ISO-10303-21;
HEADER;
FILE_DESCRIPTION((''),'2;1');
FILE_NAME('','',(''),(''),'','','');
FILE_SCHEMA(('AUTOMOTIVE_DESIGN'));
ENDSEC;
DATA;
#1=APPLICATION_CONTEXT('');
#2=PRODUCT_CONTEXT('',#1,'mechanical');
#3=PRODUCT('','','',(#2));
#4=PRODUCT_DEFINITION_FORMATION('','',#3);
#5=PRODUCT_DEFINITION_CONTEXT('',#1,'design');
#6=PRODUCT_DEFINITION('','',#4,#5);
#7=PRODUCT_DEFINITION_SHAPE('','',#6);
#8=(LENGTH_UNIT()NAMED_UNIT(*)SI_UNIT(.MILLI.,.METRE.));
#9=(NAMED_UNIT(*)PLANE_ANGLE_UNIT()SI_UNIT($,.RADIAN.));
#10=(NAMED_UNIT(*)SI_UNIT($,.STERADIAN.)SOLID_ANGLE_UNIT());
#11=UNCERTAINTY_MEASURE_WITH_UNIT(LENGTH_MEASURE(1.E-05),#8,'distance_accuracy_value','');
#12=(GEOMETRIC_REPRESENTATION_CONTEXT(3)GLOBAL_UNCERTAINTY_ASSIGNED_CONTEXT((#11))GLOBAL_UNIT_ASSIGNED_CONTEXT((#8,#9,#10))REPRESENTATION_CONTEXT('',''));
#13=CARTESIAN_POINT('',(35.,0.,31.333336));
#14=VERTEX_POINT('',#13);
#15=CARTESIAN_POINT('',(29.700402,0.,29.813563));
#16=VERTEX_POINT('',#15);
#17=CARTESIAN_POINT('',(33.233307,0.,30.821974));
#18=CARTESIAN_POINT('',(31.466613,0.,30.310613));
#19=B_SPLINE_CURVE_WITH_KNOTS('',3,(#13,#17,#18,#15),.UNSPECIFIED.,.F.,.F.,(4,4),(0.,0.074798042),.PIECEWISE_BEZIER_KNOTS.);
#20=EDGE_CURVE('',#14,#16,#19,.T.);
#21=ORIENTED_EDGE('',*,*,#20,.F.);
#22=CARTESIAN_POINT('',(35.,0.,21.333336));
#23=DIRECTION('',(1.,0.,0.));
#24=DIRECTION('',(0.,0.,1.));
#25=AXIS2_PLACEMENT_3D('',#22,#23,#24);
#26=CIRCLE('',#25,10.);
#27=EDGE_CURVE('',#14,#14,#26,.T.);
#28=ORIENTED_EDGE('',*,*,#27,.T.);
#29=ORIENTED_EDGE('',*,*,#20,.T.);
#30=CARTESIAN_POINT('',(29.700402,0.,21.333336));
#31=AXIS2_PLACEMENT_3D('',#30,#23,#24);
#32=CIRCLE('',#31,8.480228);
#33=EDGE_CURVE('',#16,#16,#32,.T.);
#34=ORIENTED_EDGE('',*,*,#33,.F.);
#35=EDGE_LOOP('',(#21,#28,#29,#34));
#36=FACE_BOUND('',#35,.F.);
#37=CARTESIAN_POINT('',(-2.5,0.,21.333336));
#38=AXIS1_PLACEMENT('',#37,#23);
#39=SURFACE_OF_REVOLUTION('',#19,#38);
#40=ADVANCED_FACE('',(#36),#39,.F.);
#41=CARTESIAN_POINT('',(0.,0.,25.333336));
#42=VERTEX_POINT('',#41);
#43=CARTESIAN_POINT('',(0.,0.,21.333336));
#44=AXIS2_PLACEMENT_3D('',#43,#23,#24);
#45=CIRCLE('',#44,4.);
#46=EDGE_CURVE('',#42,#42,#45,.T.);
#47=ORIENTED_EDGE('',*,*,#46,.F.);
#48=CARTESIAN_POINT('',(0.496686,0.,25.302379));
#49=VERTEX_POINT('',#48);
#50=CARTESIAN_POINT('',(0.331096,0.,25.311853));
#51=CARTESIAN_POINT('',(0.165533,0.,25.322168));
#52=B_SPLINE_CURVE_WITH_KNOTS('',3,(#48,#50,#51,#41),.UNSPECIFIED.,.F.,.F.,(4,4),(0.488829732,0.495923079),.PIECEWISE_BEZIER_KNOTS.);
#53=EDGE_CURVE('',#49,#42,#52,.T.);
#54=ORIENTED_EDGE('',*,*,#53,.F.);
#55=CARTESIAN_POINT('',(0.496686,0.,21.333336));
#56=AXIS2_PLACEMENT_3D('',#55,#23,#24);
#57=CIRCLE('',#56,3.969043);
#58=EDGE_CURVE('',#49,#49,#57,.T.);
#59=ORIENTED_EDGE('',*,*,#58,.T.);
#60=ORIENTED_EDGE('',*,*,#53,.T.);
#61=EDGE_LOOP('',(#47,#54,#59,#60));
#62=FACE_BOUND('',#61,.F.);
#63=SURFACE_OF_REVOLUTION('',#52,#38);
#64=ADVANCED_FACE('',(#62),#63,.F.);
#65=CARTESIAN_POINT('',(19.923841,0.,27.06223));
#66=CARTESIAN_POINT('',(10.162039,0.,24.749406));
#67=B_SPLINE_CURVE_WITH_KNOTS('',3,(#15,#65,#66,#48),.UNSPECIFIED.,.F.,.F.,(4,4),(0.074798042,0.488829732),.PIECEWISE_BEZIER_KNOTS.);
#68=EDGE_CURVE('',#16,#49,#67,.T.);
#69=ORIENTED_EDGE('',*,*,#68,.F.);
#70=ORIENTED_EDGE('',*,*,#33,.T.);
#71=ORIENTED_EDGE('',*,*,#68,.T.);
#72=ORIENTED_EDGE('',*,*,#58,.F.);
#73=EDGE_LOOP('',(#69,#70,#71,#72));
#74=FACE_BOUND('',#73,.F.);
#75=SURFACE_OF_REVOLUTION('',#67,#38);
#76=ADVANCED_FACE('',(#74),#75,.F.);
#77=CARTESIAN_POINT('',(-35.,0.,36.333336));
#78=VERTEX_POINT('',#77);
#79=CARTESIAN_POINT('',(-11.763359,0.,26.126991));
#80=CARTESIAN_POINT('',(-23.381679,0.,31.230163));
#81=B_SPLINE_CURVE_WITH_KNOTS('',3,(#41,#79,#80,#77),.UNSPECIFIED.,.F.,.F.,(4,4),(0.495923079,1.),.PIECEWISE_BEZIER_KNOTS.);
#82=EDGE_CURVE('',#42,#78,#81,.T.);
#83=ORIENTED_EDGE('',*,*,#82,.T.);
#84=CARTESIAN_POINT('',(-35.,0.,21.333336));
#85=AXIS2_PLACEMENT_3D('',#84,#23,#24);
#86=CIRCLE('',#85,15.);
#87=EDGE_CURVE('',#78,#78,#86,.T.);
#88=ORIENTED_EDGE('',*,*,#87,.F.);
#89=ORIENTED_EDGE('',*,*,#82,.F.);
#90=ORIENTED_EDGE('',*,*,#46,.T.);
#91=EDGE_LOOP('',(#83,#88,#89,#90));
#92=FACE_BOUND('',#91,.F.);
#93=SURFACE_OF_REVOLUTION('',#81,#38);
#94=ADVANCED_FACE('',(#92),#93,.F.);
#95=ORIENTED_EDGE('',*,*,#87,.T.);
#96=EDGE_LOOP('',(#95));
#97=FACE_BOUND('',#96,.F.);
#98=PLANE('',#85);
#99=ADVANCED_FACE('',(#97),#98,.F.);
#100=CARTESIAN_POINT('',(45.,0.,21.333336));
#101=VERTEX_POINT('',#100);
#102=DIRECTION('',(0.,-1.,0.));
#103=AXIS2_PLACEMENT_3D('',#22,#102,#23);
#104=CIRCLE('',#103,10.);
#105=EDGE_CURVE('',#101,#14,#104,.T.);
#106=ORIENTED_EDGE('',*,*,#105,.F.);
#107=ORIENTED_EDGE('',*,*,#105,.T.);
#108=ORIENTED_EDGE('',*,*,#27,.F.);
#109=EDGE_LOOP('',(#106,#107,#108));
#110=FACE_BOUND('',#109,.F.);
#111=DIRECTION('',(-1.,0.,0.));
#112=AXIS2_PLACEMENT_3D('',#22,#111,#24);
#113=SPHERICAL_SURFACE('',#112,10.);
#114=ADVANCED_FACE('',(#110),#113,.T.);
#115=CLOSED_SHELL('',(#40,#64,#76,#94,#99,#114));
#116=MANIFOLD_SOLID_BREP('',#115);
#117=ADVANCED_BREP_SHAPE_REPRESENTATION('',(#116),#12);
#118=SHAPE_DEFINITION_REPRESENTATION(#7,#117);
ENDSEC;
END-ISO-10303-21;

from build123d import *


with BuildPart() as f4:
    # F3 (on line) → F4 (revolve)
    with BuildSketch(Plane.XZ):
        with BuildLine():
            Line((-35, 21.3333358431), (-20, 21.3333358431))
            ThreePointArc((-20, 21.3333358431), (-21.0796887475, 26.9212634227), (-24.163324618, 31.7047613317))
            add(Edge.make_bspline(
                [(-24.163324618, 31.7047613317), (-27.7784521793, 33.1613796077), (-31.3892260896, 34.7473577254), (-35, 36.3333358431)],
                knots=[0.8433415755, 0.8433415755, 0.8433415755, 0.8433415755, 1, 1, 1, 1], degree=3))
            Line((-35, 36.3333358431), (-35, 21.3333358431))
        make_face()
        with BuildLine():
            Line((-20, 21.3333358431), (-4, 21.3333358431))
            ThreePointArc((-4, 21.3333358431), (-2.8284271247, 24.1617629679), (0, 25.3333358431))
            add(Edge.make_bspline(
                [(0, 25.3333358431), (-8.1075095608, 25.880336522), (-16.1461229596, 28.4744458698), (-24.163324618, 31.7047613317)],
                knots=[0.4959230795, 0.4959230795, 0.4959230795, 0.4959230795, 0.8433415755, 0.8433415755, 0.8433415755, 0.8433415755], degree=3))
            ThreePointArc((-24.163324618, 31.7047613317), (-21.0796887475, 26.9212634227), (-20, 21.3333358431))
        make_face()
        with BuildLine():
            Line((-4, 21.3333358431), (4, 21.3333358431))
            ThreePointArc((4, 21.3333358431), (2.9988951559, 23.9803394026), (0.496686078, 25.3023789192))
            add(Edge.make_bspline(
                [(0.496686078, 25.3023789192), (0.3310956054, 25.311852661), (0.1655334425, 25.322167567), (0, 25.3333358431)],
                knots=[0.4888297323, 0.4888297323, 0.4888297323, 0.4888297323, 0.4959230795, 0.4959230795, 0.4959230795, 0.4959230795], degree=3))
            ThreePointArc((0, 25.3333358431), (-2.8284271247, 24.1617629679), (-4, 21.3333358431))
        make_face()
        with BuildLine():
            Line((4, 21.3333358431), (25, 21.3333358431))
            ThreePointArc((25, 21.3333358431), (26.2536870024, 26.1812229033), (29.7004017896, 29.8135633641))
            add(Edge.make_bspline(
                [(29.7004017896, 29.8135633641), (19.9238413055, 27.0622303547), (10.1620389821, 24.7494059333), (0.496686078, 25.3023789192)],
                knots=[0.0747980423, 0.0747980423, 0.0747980423, 0.0747980423, 0.4888297323, 0.4888297323, 0.4888297323, 0.4888297323], degree=3))
            ThreePointArc((0.496686078, 25.3023789192), (2.9988951559, 23.9803394026), (4, 21.3333358431))
        make_face()
        with BuildLine():
            Line((25, 21.3333358431), (45, 21.3333358431))
            ThreePointArc((45, 21.3333358431), (42.0710678119, 28.404403655), (35, 31.3333358431))
            add(Edge.make_bspline(
                [(35, 31.3333358431), (33.233306708, 30.8219744482), (31.4666134161, 30.3106130533), (29.7004017896, 29.8135633641)],
                knots=[0, 0, 0, 0, 0.0747980423, 0.0747980423, 0.0747980423, 0.0747980423], degree=3))
            ThreePointArc((29.7004017896, 29.8135633641), (26.2536870024, 26.1812229033), (25, 21.3333358431))
        make_face()
    revolve(axis=Axis((-2.5, 0, 21.3333358431), (1, 0, 0)))


solid = f4.part
